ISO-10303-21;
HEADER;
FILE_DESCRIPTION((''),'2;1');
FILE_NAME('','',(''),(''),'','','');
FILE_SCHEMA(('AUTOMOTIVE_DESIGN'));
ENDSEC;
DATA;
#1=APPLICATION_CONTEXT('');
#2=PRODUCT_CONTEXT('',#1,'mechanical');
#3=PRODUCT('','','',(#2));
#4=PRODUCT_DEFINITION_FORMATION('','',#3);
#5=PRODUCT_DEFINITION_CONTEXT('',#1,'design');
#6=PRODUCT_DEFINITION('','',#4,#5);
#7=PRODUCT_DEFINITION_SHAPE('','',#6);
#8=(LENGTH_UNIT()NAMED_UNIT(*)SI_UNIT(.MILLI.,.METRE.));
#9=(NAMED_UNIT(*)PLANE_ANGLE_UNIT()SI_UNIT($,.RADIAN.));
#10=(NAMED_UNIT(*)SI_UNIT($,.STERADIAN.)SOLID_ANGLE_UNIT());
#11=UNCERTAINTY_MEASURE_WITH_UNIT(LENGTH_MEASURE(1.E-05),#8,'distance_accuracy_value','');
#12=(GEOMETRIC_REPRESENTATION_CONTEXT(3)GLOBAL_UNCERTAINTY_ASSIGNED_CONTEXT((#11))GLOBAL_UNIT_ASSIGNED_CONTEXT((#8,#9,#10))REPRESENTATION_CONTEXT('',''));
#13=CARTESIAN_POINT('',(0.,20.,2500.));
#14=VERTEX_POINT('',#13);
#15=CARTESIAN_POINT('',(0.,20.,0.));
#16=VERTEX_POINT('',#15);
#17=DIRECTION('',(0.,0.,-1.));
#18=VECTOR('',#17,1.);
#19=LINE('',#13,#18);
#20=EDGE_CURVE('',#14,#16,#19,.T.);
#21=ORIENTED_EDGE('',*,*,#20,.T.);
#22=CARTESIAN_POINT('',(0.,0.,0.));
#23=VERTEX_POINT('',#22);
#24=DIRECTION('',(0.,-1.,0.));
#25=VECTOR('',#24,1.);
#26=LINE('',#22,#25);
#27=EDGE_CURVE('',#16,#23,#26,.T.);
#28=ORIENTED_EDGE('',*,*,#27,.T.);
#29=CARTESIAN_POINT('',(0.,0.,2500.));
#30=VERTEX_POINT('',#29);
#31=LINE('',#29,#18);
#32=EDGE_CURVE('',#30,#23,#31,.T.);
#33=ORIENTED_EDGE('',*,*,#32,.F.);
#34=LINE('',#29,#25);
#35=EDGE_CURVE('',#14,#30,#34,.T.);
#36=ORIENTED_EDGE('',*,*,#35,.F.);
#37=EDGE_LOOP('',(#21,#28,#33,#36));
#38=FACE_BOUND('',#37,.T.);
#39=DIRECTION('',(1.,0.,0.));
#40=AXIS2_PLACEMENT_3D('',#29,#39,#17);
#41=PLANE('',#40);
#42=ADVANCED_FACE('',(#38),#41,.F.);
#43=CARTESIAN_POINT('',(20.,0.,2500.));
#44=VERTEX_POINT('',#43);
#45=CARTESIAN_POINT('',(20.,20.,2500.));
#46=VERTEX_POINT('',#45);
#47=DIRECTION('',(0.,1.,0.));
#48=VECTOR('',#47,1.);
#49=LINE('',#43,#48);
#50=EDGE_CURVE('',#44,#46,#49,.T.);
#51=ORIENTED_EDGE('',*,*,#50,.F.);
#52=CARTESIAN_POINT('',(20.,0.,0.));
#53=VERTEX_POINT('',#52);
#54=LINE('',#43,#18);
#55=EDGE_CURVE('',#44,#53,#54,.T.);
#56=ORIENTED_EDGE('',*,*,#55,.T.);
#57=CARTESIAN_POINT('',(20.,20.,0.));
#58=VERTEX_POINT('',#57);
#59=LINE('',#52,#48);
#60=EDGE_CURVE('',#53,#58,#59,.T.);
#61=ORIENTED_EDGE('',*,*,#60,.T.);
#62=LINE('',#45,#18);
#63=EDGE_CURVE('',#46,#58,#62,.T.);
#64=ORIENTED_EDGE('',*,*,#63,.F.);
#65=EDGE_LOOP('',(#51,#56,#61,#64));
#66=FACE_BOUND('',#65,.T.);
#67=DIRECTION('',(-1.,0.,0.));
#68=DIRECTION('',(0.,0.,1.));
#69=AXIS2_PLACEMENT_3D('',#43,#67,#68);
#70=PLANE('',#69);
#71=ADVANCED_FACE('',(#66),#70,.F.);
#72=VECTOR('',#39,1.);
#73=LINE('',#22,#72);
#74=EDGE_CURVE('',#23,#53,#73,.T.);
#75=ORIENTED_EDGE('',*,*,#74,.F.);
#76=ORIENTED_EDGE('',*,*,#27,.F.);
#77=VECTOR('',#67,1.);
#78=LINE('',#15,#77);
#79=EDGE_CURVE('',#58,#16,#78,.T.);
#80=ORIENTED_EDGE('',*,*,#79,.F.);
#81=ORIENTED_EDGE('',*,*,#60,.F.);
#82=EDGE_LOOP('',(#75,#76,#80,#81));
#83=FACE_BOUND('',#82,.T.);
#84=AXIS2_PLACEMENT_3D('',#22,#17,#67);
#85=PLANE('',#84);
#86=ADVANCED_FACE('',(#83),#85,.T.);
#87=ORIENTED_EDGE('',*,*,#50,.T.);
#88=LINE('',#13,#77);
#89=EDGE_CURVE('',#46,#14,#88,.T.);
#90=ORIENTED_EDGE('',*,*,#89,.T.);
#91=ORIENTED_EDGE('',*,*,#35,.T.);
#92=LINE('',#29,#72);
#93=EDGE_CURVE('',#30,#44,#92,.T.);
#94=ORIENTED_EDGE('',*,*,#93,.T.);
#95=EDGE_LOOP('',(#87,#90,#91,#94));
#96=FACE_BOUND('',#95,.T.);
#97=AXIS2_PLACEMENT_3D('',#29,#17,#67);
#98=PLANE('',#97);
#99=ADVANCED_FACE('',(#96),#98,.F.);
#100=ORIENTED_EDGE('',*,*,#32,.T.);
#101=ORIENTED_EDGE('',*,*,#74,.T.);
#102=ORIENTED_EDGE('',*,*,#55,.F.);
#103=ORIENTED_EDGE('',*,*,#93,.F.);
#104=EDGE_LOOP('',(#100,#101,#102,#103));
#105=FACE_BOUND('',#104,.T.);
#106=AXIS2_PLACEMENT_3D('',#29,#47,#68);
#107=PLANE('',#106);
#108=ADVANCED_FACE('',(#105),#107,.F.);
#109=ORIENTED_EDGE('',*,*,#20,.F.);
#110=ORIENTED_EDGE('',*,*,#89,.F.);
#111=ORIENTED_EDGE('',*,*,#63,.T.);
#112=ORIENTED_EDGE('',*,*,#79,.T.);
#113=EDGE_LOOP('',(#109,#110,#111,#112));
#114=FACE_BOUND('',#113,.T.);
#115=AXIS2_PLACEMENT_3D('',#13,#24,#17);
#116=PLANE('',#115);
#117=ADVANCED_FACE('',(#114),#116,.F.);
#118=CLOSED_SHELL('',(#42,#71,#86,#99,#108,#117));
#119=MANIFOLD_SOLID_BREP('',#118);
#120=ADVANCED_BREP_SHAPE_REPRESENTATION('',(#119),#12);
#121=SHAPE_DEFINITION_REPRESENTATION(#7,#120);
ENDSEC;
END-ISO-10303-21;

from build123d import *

# Parameters (mm, degrees)
SKETCH_1_W      = 20
SKETCH_1_H      = 20
EXTRUDE_1_DEPTH = 2500


with BuildPart() as part:
    # 草圖1 → 填料-伸長1 (new body)
    with BuildSketch(Plane.XY):
        with Locations((10, 10)):
            Rectangle(SKETCH_1_W, SKETCH_1_H)
    extrude(amount=EXTRUDE_1_DEPTH)


solid = part.part
